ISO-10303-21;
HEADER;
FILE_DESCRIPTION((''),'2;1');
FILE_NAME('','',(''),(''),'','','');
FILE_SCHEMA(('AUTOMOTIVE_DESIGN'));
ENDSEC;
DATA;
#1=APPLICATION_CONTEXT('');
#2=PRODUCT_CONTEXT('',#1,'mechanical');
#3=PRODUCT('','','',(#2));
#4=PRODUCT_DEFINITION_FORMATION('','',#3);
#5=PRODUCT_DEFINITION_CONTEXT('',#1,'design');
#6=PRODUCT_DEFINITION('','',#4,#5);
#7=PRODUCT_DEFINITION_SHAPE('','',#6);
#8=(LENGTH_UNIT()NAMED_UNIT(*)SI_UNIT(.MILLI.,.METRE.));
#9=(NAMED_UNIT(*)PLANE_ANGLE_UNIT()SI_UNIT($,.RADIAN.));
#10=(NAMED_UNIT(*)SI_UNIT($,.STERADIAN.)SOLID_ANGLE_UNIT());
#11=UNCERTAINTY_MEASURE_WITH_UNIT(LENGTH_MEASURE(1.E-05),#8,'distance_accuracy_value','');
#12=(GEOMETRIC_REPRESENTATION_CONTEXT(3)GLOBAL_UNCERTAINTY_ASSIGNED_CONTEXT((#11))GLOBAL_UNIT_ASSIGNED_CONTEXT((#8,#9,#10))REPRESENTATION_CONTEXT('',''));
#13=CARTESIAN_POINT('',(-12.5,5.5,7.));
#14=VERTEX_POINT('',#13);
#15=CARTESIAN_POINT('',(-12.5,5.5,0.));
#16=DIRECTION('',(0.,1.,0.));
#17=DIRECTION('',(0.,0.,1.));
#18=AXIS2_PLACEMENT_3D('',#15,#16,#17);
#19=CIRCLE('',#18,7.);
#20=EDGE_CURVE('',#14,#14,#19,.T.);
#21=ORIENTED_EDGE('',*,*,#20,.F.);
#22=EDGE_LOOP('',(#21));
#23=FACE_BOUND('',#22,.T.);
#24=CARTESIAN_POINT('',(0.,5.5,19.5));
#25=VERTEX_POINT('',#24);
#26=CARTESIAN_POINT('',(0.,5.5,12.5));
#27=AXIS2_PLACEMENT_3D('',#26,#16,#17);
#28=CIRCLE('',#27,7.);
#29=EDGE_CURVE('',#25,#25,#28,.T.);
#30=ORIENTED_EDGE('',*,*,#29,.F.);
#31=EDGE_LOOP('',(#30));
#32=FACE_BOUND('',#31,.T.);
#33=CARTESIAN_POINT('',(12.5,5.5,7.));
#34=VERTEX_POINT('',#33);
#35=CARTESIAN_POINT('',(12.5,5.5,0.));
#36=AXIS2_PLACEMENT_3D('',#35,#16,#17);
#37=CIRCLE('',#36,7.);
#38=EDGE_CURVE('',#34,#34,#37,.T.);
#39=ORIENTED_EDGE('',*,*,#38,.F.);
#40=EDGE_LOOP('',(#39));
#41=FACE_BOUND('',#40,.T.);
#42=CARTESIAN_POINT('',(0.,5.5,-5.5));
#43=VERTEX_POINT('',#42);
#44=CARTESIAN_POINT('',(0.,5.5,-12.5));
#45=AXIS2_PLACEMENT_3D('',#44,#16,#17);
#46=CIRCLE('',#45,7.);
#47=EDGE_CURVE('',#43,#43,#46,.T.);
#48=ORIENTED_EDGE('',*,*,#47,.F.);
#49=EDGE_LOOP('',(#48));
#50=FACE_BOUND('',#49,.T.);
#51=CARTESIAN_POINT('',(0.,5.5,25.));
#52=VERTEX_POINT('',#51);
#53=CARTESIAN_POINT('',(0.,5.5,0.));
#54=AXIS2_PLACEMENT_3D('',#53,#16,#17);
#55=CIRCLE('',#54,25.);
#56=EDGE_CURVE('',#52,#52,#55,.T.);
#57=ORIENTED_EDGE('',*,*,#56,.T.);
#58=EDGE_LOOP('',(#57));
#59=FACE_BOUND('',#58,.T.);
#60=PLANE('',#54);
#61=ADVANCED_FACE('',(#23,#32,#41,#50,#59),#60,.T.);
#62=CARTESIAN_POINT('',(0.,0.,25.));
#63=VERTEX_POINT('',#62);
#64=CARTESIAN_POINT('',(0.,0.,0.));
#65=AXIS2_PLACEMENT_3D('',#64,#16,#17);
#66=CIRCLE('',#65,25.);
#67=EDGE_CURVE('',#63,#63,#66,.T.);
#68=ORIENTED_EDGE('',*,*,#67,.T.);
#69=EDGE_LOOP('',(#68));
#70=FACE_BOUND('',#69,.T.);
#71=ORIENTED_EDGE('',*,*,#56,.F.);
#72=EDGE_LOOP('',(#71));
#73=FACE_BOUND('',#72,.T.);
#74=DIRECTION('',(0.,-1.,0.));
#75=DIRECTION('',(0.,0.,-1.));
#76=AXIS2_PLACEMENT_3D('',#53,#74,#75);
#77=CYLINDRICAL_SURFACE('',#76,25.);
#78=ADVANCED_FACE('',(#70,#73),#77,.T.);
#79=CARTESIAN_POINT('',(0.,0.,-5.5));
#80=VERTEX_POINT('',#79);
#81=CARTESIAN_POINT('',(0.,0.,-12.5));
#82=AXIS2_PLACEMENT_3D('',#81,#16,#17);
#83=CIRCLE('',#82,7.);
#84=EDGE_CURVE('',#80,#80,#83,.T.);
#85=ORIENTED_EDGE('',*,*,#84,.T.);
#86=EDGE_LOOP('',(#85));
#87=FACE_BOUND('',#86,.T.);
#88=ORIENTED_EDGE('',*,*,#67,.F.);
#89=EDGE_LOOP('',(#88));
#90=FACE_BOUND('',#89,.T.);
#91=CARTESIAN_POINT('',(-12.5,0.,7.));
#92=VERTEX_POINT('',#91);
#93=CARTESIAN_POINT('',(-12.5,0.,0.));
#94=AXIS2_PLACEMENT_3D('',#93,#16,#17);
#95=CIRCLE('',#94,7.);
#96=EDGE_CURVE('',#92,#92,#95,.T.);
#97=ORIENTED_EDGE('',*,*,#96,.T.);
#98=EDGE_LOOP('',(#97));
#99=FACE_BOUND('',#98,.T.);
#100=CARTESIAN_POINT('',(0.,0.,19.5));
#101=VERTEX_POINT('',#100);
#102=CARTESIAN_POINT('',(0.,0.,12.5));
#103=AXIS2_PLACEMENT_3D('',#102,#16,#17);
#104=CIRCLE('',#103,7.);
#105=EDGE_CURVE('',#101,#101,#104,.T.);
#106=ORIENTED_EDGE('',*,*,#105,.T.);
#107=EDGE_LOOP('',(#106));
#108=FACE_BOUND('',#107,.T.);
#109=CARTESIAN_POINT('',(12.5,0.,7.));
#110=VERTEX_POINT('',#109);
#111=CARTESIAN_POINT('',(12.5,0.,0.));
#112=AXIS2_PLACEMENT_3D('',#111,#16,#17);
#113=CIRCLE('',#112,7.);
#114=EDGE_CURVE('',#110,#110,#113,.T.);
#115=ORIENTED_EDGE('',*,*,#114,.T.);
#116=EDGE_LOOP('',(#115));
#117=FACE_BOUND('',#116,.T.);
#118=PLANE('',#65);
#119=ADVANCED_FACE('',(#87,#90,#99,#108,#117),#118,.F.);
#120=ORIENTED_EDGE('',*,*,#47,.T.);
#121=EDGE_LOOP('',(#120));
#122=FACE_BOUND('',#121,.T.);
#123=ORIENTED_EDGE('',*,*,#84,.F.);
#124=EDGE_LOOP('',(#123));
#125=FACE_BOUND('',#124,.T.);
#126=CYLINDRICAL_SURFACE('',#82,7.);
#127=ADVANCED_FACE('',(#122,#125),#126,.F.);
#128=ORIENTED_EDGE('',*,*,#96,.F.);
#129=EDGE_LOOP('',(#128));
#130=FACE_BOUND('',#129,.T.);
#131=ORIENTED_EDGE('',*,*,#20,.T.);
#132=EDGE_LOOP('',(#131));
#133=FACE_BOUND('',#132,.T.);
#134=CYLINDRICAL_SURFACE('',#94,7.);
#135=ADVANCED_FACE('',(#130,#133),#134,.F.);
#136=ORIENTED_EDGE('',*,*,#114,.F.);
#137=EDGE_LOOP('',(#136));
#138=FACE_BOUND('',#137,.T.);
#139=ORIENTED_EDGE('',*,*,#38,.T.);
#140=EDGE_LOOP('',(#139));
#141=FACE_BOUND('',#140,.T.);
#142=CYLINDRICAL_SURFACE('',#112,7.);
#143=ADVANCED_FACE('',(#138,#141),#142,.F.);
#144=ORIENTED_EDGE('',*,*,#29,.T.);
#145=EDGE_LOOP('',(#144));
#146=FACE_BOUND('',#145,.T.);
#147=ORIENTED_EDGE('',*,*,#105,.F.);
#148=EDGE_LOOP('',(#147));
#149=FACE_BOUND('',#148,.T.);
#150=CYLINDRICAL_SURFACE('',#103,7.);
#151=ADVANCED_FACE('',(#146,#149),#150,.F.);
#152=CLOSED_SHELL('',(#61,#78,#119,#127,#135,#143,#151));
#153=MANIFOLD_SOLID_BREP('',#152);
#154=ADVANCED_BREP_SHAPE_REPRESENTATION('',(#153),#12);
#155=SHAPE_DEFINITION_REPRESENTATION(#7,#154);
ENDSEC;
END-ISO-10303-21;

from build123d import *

# Parameters (mm, degrees)
SKETCH1_R           = 25
BOSS_EXTRUDE1_DEPTH = 5.5
SKETCH2_R           = 7
CUT_EXTRUDE1_DEPTH  = 5.5


with BuildPart() as part:
    # Sketch1 → Boss-Extrude1 (new body)
    with BuildSketch(Plane(origin=(0, 0, 0), x_dir=(1, 0, 0), z_dir=(0, 1, 0))):
        Circle(SKETCH1_R)
    extrude(amount=BOSS_EXTRUDE1_DEPTH)

    # Sketch2 → Cut-Extrude1 (cut)
    with BuildSketch(Plane(origin=(0, 5.5, 0), x_dir=(1, 0, 0), z_dir=(0, 1, 0))):
        with Locations((0, 12.5)):
            Circle(SKETCH2_R)
        with Locations((12.5, 0)):
            Circle(SKETCH2_R)
        with Locations((0, -12.5)):
            Circle(SKETCH2_R)
        with Locations((-12.5, 0)):
            Circle(SKETCH2_R)
    extrude(amount=-CUT_EXTRUDE1_DEPTH, mode=Mode.SUBTRACT)


solid = part.part
